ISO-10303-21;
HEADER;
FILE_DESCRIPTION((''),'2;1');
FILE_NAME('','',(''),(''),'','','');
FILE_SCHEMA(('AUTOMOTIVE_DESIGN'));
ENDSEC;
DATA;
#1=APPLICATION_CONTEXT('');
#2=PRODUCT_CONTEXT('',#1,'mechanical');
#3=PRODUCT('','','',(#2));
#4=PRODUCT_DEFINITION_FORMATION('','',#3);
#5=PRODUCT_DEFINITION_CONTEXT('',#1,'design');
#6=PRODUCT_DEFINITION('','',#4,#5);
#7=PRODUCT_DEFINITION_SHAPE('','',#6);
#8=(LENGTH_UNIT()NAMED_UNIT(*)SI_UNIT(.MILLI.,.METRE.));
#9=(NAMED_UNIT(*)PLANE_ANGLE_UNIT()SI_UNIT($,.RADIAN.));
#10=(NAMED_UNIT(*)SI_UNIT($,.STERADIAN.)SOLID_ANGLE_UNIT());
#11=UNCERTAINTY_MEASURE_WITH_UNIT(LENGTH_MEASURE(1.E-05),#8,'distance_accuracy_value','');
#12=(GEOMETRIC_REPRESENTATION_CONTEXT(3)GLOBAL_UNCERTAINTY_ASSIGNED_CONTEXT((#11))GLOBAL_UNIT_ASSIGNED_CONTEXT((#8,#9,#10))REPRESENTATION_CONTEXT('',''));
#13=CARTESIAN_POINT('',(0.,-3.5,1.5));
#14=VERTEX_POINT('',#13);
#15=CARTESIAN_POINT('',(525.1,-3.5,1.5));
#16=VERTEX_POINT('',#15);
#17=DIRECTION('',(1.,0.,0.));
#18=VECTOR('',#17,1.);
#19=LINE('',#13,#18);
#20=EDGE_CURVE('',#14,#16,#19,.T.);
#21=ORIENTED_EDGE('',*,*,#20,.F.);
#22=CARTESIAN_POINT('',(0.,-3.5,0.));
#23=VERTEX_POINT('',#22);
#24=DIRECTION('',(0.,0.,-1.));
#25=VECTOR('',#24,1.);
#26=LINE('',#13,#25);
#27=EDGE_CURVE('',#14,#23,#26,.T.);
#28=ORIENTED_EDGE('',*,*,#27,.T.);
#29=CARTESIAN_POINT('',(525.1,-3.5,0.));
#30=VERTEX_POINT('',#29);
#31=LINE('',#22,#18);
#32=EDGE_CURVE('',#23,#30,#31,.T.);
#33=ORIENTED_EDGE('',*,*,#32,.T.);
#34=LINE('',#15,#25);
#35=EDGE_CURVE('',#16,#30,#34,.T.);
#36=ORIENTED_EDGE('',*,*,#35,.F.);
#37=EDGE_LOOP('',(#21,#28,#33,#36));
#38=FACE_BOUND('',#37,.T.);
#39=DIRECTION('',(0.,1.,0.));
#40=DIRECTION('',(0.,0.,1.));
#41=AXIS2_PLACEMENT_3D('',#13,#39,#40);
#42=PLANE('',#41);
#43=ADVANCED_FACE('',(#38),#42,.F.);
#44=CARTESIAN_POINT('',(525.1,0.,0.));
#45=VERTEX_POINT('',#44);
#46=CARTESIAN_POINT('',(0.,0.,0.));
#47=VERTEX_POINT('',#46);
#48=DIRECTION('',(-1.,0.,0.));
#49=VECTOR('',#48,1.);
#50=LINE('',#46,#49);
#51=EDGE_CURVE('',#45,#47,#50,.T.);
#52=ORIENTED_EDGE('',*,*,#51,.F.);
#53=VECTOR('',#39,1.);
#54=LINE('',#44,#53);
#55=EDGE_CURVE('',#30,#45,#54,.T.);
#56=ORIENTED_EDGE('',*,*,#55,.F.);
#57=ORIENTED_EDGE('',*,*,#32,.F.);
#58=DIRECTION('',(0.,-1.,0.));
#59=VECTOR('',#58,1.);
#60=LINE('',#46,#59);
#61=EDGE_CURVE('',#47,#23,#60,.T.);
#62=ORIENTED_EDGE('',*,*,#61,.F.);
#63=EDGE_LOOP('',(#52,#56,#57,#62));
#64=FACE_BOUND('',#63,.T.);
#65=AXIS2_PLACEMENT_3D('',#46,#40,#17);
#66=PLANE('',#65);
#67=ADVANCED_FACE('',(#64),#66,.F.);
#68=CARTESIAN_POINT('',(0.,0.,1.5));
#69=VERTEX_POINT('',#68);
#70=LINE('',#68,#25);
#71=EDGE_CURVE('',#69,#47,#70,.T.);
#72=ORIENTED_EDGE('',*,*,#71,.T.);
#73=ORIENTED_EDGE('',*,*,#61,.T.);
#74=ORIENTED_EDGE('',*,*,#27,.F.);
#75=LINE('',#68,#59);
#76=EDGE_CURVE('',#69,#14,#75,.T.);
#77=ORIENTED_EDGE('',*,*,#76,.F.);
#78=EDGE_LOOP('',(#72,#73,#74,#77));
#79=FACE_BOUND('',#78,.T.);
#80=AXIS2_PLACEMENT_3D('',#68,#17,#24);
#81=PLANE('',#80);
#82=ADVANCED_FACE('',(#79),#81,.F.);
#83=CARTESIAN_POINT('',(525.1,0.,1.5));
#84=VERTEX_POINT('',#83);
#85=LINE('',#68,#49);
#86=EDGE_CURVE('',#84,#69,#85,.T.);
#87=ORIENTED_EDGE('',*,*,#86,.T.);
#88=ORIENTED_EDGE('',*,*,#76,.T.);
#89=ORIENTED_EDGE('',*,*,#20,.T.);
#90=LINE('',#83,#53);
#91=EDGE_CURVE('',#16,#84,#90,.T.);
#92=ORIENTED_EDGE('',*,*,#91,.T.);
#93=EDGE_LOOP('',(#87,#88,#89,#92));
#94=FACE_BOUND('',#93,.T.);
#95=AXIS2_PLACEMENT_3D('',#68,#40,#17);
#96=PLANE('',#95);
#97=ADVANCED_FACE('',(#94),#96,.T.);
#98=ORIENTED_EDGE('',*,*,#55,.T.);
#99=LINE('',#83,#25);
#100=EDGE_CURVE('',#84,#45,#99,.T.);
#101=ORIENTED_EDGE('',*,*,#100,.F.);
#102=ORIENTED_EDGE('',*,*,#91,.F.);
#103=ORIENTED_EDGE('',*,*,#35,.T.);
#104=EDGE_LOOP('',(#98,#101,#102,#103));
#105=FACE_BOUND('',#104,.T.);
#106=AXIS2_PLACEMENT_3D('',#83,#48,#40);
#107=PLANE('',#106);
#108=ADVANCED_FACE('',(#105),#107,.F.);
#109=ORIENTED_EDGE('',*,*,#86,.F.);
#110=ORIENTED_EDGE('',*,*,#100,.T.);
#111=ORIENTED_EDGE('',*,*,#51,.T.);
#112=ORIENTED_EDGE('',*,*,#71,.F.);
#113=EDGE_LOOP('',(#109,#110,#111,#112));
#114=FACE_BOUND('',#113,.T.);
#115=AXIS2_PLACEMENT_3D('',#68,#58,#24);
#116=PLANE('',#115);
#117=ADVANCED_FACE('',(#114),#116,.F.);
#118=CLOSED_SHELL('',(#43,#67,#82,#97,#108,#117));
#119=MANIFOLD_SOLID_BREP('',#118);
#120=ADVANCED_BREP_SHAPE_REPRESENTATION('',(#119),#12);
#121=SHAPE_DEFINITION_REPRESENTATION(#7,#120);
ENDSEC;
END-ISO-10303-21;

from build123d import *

# Parameters (mm, degrees)
SKETCH_1_W      = 525.1
SKETCH_1_H      = 3.5
EXTRUDE_1_DEPTH = 1.5


with BuildPart() as part:
    # 草图1 → 凸台-拉伸1 (new body)
    with BuildSketch(Plane.XY):
        with Locations((262.55, -1.75)):
            Rectangle(SKETCH_1_W, SKETCH_1_H)
    extrude(amount=EXTRUDE_1_DEPTH)


solid = part.part
